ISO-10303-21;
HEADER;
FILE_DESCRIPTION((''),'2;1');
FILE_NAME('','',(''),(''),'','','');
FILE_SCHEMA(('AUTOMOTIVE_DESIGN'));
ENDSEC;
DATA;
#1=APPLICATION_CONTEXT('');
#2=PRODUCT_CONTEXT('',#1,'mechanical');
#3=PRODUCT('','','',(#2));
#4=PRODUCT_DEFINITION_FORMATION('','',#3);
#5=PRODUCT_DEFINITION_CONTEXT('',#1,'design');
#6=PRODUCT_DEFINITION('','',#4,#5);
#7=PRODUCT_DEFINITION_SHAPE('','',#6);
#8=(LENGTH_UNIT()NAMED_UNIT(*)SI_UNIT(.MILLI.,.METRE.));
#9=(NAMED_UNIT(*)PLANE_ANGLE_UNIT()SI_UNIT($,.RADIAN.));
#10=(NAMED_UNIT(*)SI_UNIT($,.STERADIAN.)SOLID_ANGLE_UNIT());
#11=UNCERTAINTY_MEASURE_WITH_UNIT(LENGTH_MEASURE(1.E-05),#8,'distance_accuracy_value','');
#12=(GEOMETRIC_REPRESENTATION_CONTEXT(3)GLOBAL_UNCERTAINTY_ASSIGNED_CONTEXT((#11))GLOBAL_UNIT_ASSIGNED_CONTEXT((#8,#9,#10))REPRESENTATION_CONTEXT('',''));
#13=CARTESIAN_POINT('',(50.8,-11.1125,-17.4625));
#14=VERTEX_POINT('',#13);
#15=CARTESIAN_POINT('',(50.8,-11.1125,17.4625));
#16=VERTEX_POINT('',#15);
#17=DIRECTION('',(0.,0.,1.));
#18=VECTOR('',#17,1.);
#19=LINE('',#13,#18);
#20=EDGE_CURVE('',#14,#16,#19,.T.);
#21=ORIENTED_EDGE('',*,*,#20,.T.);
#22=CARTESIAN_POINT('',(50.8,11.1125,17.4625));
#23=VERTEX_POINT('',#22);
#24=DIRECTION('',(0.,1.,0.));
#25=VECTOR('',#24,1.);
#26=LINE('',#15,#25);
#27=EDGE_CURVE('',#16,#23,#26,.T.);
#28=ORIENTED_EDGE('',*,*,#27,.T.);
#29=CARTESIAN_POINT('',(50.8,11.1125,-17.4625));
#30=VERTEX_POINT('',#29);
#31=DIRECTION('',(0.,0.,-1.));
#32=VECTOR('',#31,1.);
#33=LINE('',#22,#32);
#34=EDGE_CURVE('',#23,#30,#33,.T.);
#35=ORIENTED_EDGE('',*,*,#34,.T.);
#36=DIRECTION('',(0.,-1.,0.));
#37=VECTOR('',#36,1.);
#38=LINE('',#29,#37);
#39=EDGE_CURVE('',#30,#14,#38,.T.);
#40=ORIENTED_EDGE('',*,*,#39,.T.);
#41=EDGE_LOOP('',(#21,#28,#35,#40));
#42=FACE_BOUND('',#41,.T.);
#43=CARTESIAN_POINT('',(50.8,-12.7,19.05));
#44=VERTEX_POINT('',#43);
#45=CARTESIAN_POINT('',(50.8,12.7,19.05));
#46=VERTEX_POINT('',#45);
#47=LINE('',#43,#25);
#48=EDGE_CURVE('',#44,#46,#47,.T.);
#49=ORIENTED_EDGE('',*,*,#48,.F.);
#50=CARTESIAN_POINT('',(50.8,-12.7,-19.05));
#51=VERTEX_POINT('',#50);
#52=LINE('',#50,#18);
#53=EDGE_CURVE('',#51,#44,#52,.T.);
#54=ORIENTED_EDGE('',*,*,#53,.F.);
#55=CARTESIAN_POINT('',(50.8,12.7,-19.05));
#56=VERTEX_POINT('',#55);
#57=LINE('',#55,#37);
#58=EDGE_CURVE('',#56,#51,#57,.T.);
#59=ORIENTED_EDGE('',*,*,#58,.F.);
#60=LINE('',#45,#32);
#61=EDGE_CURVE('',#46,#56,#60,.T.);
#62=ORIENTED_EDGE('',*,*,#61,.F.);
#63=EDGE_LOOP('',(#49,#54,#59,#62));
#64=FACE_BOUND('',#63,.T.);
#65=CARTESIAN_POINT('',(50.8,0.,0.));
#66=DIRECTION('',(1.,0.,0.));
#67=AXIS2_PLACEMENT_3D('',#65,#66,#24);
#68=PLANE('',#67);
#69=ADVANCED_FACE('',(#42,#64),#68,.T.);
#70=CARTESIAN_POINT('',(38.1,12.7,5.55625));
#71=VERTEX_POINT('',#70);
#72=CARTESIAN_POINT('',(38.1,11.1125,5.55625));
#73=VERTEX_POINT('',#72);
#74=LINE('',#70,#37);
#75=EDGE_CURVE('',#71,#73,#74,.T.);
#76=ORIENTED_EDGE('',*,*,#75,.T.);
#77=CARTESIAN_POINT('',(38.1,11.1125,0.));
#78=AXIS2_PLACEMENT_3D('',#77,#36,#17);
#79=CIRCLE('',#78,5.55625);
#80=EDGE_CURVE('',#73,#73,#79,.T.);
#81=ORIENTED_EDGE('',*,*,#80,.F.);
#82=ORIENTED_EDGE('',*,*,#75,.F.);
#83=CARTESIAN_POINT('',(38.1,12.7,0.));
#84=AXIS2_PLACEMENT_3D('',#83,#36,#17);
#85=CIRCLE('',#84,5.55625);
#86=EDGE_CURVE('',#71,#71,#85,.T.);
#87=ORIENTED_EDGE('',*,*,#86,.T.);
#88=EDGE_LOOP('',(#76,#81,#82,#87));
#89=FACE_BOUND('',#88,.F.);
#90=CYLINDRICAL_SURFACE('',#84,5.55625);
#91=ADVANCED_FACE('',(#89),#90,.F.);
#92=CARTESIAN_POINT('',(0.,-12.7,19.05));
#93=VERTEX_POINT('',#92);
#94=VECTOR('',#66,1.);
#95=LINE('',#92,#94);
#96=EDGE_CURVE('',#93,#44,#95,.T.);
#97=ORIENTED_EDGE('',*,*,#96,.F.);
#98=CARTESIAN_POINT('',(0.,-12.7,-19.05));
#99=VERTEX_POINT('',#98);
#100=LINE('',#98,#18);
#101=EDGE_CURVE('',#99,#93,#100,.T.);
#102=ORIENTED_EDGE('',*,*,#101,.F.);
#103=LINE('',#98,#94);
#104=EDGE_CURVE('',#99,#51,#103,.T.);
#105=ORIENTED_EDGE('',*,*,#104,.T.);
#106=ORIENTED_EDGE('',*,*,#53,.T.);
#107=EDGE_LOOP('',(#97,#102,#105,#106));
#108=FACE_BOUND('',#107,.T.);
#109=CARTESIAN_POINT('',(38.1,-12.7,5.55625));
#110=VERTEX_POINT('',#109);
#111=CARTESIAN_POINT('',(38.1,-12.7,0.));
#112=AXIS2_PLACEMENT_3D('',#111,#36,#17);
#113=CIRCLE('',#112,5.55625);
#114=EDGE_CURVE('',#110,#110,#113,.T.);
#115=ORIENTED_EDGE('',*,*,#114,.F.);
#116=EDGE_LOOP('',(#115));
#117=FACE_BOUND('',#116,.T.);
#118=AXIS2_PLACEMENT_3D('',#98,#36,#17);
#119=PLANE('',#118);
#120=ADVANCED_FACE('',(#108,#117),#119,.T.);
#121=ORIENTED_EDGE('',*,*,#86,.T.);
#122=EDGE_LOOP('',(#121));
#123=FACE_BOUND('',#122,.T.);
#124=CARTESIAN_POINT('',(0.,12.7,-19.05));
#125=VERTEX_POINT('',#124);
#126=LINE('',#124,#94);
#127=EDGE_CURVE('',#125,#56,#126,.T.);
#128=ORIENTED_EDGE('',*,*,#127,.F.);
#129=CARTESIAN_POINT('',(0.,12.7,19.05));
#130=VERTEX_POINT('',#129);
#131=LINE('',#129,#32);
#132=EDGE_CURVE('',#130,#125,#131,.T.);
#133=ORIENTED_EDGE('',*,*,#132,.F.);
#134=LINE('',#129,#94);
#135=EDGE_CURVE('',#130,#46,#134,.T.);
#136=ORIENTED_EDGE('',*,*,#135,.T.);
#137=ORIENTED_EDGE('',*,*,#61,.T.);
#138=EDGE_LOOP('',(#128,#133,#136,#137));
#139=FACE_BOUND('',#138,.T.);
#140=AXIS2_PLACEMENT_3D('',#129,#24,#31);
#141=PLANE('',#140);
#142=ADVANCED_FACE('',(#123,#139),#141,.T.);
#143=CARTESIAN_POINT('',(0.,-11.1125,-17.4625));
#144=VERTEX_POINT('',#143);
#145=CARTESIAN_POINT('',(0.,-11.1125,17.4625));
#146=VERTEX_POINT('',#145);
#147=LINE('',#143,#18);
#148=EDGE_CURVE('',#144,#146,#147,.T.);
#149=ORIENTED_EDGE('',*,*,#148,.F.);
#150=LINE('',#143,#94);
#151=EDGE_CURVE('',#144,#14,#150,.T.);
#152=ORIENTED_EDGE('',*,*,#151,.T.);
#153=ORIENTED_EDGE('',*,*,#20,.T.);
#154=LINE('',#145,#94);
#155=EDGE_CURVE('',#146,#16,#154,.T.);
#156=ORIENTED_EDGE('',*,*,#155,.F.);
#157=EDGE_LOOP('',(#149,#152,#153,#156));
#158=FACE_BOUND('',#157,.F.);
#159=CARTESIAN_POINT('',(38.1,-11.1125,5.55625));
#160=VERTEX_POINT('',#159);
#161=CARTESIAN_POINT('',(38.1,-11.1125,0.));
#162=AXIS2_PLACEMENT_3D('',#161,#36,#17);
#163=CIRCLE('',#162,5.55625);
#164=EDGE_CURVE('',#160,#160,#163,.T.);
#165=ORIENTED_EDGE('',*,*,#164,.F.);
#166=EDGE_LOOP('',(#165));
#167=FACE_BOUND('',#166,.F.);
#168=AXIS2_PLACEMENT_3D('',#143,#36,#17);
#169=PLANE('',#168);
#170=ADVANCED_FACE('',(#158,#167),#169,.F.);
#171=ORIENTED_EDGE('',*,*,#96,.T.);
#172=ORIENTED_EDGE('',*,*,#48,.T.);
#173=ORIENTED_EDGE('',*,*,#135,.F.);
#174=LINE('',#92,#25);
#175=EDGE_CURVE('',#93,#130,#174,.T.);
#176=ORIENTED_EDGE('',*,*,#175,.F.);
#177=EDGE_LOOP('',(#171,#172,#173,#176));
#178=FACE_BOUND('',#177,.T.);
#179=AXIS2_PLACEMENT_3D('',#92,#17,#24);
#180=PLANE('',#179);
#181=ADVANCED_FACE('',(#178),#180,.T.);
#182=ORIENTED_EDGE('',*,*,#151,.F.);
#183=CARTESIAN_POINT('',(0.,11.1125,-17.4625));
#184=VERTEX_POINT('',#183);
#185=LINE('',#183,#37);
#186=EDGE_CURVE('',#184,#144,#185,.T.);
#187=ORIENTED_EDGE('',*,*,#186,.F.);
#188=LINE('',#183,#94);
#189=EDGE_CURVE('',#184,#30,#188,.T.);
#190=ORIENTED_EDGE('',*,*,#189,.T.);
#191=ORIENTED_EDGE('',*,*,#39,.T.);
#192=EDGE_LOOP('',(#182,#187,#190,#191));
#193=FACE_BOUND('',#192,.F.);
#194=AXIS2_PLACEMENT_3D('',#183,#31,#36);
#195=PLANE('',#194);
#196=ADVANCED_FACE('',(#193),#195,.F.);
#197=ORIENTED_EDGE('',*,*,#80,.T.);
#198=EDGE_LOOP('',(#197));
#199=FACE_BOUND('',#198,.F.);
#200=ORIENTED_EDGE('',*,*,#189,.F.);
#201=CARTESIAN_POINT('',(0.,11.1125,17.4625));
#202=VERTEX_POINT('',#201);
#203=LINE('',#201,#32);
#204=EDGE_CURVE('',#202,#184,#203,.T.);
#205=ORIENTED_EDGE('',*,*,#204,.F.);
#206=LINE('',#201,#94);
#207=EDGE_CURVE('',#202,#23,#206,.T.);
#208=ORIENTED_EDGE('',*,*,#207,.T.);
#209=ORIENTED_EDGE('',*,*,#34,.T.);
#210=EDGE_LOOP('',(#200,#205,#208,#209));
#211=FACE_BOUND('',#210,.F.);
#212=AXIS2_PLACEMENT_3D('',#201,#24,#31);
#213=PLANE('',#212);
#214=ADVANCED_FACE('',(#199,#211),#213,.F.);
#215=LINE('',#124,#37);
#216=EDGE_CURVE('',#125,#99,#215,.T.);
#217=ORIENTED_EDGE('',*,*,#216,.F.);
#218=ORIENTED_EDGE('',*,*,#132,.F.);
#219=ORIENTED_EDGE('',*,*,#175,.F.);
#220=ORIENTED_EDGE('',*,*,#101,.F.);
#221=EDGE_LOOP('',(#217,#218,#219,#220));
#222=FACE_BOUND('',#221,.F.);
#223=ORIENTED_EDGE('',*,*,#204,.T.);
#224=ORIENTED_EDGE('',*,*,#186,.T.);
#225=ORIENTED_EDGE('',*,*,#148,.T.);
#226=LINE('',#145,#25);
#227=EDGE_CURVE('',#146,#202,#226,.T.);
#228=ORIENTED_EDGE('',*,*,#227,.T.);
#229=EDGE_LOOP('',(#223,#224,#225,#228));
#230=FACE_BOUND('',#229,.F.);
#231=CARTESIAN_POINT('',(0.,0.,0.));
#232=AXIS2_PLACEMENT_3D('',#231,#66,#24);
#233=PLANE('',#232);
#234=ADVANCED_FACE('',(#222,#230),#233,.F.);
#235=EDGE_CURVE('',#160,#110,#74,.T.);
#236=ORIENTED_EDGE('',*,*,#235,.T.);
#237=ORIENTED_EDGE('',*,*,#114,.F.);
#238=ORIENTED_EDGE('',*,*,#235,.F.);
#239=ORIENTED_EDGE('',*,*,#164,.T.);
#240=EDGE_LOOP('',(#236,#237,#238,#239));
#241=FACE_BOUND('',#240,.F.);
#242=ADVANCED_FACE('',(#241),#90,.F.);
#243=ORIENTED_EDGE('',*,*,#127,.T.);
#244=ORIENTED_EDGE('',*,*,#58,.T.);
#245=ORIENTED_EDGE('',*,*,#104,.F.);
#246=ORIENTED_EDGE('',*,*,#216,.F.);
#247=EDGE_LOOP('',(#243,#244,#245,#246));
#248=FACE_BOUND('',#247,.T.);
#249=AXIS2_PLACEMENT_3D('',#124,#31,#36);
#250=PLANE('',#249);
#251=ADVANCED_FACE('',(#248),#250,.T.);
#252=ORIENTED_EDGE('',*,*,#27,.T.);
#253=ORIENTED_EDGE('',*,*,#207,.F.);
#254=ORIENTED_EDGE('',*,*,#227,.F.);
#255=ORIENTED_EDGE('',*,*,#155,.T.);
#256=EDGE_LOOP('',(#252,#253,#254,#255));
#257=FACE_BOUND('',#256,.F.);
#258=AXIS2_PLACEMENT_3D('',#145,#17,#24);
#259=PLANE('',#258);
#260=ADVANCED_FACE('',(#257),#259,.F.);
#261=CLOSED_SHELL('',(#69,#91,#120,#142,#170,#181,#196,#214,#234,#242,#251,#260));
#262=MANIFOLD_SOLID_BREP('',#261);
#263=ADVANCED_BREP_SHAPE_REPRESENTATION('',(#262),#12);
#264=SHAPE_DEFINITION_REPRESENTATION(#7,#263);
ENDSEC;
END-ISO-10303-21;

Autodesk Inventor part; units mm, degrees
ref_plane "Work Plane3" through (0, 12.7, 0) normal (0, 1, 0) x (-1, 0, 0)
ref_plane "Start Plane" through (0, 0, 0) normal (1, 0, 0) x (0, 1, 0)
ref_plane "End Plane" through (50.8, 0, 0) normal (1, 0, 0) x (0, 1, 0)
sketch "Sketch" plane through (0, 0, 0) normal (1, 0, 0) x (0, 1, 0)
  line L0 (-12.7, 19.05) -> (12.7, 19.05)
  line L1 (12.7, 19.05) -> (12.7, -19.05)
  line L2 (12.7, -19.05) -> (-12.7, -19.05)
  line L3 (-12.7, -19.05) -> (-12.7, 19.05)
  line L4 (-12.7, 19.05) -> (12.7, -19.05) construction
  line L5 (12.7, 19.05) -> (-12.7, -19.05) construction
  line L6 (-11.1125, 17.4625) -> (11.1125, 17.4625)
  line L7 (11.1125, 17.4625) -> (11.1125, -17.4625)
  line L8 (11.1125, -17.4625) -> (-11.1125, -17.4625)
  line L9 (-11.1125, -17.4625) -> (-11.1125, 17.4625)
  line L10 (-11.1125, 17.4625) -> (11.1125, -17.4625) construction
  line L11 (11.1125, 17.4625) -> (-11.1125, -17.4625) construction
  point P0 (0, 0)
  dimension "d0" = 38.1
  dimension "d1" = 25.4
  dimension "d2" = 1.5875
  dimension "d3" = 1.5875
extrude "Body" add sketch "Sketch" along normal up to surface (50.8 mm away) from surface at 0
sketch "Sketch8" plane through (0, 0, 0) normal (1, 0, 0) x (0, 1, 0)
  line L0 (0, 0) -> (10, 0)
ref_plane "Work Plane6" through (0, 0, 0) normal (0, 0, -1) x (0, 1, 0)
sketch "Sketch9" plane through (0, 0, 0) normal (0, 0, -1) x (0, 1, 0)
  line L0 (-17.78, 0) -> (17.78, 0)
  line L1 (-17.78, 50.8) -> (17.78, 50.8)
  dimension "d21" = 50.8
sketch "Sketch5" plane through (0, 12.7, -19.05) normal (0, 1, 0) x (1, 0, 0)
  line L0 (0, -38.1) -> (0, 0) projected
  point P0 (0, -19.05)
  point P1 (38.1, -19.05)
  dimension "d22" = 38.1
hole "Hole2" at (38.1, 12.7, 0) direction (0, -1, 0) diameter 11.1125 end through all
equation "\"d3\" = d2"
equation "\"G_OFFSET_START\" = 0"
equation "\"G_OFFSET_END\" = 0"
equation "\"d17\" = d4 + G_OFFSET_END"
equation "\"G_L\" = d21"
equation "\"d4\" = 50.8"
properties part number "1606067045719"
